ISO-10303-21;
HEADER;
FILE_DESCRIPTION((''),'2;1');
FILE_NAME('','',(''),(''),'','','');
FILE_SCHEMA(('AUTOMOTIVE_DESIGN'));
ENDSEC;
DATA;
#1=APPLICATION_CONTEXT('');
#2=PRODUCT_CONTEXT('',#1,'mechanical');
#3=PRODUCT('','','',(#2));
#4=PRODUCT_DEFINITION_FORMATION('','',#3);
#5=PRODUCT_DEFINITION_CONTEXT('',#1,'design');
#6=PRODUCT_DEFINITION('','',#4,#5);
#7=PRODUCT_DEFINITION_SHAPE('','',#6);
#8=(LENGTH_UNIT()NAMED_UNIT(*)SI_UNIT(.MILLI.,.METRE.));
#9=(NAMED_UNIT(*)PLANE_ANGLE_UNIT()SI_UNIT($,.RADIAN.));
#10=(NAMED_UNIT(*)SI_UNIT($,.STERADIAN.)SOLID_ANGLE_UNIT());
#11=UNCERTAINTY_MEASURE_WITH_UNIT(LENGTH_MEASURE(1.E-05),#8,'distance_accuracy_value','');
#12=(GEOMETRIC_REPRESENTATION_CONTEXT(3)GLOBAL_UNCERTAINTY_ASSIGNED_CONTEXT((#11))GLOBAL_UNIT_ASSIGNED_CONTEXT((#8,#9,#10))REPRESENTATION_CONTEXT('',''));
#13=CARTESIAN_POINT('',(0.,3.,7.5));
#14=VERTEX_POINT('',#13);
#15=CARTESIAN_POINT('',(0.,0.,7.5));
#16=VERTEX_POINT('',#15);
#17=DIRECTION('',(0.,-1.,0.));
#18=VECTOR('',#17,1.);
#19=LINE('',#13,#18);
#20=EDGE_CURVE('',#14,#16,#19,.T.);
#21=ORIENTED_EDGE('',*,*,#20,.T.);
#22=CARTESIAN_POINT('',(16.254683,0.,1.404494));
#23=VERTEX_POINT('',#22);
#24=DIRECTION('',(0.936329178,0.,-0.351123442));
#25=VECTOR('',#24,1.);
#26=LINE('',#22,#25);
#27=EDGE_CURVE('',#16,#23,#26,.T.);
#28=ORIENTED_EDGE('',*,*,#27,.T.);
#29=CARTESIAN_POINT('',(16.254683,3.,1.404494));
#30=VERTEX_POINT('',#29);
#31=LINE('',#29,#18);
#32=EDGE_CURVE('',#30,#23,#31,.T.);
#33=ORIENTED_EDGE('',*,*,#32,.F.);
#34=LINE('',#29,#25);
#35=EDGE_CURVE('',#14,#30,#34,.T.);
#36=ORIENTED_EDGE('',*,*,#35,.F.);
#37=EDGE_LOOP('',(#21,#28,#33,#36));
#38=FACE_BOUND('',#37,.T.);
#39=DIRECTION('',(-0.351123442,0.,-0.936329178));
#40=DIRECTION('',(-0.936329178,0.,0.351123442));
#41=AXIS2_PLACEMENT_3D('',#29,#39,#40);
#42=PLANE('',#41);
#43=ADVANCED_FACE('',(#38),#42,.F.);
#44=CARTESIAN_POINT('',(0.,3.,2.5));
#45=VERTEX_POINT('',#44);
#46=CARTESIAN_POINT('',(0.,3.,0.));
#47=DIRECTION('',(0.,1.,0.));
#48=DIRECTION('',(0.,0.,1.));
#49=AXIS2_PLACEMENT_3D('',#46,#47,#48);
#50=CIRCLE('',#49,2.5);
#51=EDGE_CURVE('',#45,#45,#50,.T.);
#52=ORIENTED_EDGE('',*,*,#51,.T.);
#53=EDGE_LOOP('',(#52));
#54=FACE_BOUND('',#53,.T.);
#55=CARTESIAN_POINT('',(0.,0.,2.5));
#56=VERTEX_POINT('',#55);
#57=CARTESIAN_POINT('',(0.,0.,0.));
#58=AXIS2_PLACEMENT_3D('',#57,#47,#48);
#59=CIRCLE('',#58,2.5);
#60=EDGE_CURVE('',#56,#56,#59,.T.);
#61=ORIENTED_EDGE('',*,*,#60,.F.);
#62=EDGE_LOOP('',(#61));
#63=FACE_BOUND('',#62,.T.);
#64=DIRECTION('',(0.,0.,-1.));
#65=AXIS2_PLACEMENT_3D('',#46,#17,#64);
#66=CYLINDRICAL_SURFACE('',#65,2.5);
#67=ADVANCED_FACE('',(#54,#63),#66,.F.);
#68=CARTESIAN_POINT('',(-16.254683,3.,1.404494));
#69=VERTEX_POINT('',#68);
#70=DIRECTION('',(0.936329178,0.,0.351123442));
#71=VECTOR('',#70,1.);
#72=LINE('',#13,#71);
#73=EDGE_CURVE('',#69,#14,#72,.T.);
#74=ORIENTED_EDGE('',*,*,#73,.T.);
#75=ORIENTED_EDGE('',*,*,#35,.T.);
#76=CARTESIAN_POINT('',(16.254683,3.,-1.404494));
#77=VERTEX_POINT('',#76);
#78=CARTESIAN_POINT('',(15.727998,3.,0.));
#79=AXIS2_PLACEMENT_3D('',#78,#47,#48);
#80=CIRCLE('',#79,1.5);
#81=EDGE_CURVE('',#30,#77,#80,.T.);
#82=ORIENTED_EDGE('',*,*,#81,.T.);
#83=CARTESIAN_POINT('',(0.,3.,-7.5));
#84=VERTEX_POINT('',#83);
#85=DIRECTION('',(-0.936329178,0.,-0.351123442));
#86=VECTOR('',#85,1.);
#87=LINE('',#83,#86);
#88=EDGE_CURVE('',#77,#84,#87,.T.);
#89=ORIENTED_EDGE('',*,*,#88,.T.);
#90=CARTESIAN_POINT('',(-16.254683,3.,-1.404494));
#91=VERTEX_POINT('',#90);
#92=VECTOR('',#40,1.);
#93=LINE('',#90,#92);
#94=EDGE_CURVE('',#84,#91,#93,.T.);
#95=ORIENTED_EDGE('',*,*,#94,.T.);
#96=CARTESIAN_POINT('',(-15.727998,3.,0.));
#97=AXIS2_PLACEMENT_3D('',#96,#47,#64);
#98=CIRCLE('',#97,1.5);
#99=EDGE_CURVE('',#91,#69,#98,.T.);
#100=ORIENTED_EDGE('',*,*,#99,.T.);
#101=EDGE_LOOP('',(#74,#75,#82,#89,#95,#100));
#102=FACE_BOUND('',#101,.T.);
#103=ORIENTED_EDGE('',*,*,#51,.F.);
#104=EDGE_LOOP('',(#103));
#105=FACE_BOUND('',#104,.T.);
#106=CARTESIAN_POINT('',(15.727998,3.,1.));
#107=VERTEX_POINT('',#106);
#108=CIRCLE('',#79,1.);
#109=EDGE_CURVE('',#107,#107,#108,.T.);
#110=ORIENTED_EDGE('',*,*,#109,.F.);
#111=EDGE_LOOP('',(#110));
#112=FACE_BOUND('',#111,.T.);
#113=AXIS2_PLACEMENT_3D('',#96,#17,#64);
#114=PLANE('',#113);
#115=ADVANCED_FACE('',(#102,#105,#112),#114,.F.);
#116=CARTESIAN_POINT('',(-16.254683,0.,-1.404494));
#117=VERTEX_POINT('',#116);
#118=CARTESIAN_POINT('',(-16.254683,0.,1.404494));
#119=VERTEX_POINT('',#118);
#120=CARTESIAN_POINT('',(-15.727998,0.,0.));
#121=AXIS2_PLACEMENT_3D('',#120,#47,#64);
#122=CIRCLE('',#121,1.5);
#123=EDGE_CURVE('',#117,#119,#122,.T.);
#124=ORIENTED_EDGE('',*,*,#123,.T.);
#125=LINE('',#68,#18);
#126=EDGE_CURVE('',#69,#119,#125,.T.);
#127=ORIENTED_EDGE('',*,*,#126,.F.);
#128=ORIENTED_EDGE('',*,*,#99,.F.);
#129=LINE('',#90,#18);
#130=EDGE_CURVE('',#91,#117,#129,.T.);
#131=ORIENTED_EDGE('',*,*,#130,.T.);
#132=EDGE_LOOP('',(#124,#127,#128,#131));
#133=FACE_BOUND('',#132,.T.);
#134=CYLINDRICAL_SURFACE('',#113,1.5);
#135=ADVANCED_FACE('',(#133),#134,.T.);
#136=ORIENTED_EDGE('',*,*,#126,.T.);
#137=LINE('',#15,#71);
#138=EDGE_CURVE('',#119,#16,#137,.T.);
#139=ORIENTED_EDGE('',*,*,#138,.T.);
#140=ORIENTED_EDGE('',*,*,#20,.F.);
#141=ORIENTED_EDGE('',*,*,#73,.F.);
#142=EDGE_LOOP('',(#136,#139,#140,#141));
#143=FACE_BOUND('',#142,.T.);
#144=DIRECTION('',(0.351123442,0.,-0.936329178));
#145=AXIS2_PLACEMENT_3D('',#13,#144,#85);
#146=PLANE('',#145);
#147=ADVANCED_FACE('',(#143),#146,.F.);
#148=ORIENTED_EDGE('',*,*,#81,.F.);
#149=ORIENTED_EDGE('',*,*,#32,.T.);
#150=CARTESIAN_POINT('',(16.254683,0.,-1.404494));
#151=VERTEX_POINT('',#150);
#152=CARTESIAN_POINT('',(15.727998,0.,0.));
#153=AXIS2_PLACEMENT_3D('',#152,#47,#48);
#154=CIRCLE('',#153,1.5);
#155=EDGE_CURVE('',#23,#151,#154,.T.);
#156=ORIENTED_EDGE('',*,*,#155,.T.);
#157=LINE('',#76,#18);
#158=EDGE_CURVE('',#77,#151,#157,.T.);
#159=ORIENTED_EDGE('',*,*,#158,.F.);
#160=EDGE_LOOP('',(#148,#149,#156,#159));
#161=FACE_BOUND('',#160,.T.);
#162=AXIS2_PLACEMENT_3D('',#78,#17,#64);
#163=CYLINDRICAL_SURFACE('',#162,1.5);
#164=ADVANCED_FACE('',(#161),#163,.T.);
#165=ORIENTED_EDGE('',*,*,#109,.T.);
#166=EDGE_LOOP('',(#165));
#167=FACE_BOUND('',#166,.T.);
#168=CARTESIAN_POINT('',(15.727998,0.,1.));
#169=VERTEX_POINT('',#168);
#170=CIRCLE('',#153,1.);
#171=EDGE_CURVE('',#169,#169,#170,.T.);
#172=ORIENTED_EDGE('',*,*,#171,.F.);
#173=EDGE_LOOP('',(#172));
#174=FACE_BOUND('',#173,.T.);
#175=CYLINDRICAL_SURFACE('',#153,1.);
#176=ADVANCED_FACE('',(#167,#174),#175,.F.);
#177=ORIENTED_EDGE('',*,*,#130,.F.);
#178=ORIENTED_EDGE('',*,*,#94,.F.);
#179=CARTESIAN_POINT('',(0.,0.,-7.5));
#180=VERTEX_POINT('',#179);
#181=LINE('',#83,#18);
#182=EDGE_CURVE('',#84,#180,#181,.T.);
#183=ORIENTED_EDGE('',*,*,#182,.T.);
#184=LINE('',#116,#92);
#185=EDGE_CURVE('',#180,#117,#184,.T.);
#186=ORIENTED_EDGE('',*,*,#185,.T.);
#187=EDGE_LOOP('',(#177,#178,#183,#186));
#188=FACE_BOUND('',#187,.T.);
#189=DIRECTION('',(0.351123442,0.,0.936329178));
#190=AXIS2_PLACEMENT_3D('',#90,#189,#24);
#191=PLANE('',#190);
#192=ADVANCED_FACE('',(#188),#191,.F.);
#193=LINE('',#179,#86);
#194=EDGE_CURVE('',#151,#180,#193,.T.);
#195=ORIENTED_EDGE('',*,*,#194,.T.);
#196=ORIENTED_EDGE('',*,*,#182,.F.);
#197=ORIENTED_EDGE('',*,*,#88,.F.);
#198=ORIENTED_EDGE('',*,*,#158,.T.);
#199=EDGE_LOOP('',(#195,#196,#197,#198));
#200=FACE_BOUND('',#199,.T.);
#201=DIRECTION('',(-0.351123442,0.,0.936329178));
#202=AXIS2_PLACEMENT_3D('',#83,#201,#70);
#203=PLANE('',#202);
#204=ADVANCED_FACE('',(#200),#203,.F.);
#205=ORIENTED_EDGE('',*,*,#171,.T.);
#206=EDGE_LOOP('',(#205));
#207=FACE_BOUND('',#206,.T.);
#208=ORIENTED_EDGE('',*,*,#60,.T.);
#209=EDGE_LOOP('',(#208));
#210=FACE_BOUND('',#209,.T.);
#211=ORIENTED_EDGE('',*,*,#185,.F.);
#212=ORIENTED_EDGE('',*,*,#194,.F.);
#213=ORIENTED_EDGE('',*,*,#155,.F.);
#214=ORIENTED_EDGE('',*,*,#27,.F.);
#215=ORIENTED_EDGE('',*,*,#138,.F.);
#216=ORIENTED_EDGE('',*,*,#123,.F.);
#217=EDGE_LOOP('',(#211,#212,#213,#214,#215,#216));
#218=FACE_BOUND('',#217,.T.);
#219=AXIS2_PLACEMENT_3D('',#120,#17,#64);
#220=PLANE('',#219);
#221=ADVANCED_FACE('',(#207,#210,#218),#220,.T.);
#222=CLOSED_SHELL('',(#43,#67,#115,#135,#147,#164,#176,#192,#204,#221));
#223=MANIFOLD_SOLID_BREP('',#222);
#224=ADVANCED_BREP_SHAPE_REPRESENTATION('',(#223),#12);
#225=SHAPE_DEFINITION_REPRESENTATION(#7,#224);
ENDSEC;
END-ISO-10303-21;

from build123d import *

# Parameters (mm, degrees)
SKETCH_1_R          = 2.5
EXTRUDE_1_DEPTH     = 3
SKETCH_3_R          = 1
CUT_EXTRUDE_1_DEPTH = 20.02771451


with BuildPart() as part:
    # 草圖1 → 填料-伸長1 (new body)
    with BuildSketch(Plane(origin=(0, 0, 0), x_dir=(1, 0, 0), z_dir=(0, 1, 0))):
        with BuildLine():
            Line((-16.25468329, 1.404493766), (0, 7.5))
            Line((0, 7.5), (16.25468329, 1.404493766))
            ThreePointArc((16.25468329, 1.404493766), (17.227998127, 0), (16.25468329, -1.404493766))
            Line((16.25468329, -1.404493766), (0, -7.5))
            Line((0, -7.5), (-16.25468329, -1.404493766))
            ThreePointArc((-16.25468329, -1.404493766), (-17.227998127, 0), (-16.25468329, 1.404493766))
        make_face()
        with Locations(Location((0, 0, 0), (0, 0, 270))):
            Circle(SKETCH_1_R, mode=Mode.SUBTRACT)
    extrude(amount=EXTRUDE_1_DEPTH)

    # 草圖3 → 除料-伸長1 (cut, through all)
    with BuildSketch(Plane(origin=(0, 3, 0), x_dir=(1, 0, 0), z_dir=(0, 1, 0))):
        with Locations(Location((15.727998127, 0, 0), (0, 0, 270))):
            Circle(SKETCH_3_R)
    extrude(amount=-CUT_EXTRUDE_1_DEPTH, mode=Mode.SUBTRACT)


solid = part.part
